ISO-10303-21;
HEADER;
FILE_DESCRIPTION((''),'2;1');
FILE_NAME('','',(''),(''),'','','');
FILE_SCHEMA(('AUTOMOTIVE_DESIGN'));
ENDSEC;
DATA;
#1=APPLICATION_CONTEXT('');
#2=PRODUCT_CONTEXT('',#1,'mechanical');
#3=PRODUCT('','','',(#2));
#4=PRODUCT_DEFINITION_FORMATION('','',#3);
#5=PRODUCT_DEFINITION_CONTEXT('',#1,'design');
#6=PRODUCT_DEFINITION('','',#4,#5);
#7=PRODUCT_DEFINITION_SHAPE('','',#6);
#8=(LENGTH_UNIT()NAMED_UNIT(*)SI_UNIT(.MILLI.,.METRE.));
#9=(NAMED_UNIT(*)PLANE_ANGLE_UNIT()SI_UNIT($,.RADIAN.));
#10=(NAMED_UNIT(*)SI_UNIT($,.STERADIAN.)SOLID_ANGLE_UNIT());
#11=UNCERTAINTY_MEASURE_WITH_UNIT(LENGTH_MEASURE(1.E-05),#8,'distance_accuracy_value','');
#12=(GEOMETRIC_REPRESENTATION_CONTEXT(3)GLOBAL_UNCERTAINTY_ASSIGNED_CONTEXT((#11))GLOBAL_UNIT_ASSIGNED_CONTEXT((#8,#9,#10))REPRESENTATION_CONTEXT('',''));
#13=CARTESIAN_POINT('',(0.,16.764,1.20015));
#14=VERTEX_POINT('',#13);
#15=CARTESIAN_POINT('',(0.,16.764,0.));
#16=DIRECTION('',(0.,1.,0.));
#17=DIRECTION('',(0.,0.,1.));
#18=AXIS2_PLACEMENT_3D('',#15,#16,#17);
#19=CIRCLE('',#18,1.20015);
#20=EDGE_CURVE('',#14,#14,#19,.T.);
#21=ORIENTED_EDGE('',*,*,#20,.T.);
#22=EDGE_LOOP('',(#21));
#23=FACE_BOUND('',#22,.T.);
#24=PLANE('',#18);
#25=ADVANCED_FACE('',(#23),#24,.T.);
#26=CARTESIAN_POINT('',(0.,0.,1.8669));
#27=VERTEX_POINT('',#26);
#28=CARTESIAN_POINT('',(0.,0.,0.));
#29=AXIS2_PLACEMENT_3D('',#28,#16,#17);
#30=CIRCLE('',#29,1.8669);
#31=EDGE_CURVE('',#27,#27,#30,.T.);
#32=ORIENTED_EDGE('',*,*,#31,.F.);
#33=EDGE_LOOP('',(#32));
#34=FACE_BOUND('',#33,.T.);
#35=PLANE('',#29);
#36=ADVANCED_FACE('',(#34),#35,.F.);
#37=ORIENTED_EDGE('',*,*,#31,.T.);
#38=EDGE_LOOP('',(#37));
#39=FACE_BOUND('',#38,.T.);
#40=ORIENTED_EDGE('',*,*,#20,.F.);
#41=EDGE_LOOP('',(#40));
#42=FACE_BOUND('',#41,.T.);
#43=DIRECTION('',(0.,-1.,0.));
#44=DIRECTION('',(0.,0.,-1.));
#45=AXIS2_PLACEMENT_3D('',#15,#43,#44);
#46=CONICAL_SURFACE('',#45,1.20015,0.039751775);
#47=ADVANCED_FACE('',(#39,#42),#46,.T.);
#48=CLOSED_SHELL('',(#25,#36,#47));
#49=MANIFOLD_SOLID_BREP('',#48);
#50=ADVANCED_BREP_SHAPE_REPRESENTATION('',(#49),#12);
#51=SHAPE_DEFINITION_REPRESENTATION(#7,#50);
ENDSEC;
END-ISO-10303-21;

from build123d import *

# Parameters (mm, degrees)
SKETCH2_R = 1.20015
SKETCH1_R = 1.8669


with BuildPart() as part:
    # Sketch2 → Loft1 section 0
    with BuildSketch(Plane(origin=(0, 16.764, 0), x_dir=(1, 0, 0), z_dir=(0, 1, 0))):
        Circle(SKETCH2_R)
    # Sketch1 → Loft1 section 1
    with BuildSketch(Plane(origin=(0, 0, 0), x_dir=(1, 0, 0), z_dir=(0, 1, 0))):
        Circle(SKETCH1_R)
    loft()


solid = part.part
